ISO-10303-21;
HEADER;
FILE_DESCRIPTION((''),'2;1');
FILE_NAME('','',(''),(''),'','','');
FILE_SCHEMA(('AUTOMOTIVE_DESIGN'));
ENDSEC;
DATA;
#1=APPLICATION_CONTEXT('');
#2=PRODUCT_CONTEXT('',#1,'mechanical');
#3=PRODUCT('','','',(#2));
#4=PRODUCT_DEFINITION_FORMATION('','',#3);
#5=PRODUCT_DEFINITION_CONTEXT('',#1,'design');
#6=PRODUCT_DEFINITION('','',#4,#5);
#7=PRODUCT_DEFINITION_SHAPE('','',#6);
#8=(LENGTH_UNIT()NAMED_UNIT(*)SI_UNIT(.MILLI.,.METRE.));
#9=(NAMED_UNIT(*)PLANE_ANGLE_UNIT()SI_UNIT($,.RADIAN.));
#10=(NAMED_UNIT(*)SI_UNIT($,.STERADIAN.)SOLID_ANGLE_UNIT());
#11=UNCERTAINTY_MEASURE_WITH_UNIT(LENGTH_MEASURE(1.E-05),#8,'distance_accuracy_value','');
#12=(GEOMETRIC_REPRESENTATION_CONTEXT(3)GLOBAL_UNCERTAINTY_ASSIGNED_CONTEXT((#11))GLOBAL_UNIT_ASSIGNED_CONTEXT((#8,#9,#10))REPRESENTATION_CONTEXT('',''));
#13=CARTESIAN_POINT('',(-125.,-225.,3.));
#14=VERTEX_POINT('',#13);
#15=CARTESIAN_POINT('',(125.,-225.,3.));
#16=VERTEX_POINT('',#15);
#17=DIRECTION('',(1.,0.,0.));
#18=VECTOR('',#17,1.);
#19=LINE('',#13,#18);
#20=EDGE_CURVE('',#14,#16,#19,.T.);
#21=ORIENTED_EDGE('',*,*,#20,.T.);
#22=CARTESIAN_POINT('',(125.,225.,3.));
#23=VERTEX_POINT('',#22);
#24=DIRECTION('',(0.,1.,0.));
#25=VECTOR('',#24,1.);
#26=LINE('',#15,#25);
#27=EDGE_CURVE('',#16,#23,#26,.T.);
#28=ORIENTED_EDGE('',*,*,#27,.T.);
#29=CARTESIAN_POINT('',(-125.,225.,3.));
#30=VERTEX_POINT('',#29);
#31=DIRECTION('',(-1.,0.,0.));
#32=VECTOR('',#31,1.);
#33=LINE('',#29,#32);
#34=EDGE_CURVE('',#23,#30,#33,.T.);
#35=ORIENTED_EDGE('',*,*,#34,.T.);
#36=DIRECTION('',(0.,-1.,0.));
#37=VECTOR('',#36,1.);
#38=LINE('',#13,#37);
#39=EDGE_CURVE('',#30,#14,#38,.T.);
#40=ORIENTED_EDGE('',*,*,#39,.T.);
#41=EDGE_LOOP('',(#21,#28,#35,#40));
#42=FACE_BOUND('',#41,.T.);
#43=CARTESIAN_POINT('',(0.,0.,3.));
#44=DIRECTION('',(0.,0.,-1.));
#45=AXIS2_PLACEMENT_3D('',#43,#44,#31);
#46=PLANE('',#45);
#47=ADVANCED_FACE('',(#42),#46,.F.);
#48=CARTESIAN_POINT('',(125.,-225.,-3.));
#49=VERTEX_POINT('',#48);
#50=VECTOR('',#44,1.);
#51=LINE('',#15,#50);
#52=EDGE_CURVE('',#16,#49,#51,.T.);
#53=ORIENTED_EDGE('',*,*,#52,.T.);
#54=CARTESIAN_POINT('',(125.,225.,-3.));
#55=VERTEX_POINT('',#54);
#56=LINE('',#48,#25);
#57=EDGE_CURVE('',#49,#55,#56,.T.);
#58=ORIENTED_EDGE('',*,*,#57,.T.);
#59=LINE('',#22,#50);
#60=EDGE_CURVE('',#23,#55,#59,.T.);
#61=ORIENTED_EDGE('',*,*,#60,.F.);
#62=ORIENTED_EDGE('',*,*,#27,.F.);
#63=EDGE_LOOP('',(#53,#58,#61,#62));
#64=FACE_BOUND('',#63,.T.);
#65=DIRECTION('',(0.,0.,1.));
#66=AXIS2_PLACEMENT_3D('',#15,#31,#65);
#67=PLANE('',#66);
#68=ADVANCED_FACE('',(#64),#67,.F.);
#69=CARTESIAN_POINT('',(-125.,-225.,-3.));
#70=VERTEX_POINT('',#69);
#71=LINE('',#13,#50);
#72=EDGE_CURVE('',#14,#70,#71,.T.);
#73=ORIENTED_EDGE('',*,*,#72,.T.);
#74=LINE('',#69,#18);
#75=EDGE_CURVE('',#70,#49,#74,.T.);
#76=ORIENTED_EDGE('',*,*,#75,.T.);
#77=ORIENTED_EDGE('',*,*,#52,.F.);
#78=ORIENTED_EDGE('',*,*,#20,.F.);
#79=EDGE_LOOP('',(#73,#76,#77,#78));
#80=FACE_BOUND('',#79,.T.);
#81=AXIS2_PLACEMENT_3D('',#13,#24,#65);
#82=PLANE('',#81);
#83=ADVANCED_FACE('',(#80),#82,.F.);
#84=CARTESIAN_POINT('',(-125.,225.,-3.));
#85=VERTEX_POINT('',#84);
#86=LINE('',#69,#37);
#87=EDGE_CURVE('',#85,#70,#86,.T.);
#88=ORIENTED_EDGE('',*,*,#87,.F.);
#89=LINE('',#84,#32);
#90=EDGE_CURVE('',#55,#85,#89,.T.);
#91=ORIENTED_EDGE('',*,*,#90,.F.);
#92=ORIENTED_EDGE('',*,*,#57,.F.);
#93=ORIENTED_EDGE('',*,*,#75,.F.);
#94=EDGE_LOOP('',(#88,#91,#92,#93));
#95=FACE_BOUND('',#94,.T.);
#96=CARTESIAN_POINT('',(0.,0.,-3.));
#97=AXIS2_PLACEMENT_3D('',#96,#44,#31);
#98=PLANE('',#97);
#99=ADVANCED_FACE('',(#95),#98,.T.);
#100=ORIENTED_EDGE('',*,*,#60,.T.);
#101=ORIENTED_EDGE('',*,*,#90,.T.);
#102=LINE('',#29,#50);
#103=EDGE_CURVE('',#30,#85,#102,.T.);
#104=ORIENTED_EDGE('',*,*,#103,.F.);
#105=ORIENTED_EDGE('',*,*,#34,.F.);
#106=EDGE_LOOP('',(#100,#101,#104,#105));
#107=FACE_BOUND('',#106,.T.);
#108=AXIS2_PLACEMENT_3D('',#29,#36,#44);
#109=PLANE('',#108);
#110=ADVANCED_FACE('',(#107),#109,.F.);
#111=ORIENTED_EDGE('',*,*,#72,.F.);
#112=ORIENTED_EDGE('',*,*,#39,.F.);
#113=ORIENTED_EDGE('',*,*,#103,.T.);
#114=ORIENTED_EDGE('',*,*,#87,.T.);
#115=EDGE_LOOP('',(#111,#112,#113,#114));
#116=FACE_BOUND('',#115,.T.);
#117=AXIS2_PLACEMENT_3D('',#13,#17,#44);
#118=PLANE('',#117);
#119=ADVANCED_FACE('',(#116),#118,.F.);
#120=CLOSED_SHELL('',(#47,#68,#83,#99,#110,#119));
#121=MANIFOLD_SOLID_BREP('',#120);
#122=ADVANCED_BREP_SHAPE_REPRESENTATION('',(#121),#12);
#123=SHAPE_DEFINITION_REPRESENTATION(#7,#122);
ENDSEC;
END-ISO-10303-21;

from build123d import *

# Parameters (mm, degrees)
DIMENSIONSSKETCH_W = 250
DIMENSIONSSKETCH_H = 450
DIMENSIONS_DEPTH   = 3


with BuildPart() as part:
    # DimensionsSketch → Dimensions (new, symmetric)
    with BuildSketch(Plane.XY):
        Rectangle(DIMENSIONSSKETCH_W, DIMENSIONSSKETCH_H)
    extrude(amount=DIMENSIONS_DEPTH, both=True)


solid = part.part
